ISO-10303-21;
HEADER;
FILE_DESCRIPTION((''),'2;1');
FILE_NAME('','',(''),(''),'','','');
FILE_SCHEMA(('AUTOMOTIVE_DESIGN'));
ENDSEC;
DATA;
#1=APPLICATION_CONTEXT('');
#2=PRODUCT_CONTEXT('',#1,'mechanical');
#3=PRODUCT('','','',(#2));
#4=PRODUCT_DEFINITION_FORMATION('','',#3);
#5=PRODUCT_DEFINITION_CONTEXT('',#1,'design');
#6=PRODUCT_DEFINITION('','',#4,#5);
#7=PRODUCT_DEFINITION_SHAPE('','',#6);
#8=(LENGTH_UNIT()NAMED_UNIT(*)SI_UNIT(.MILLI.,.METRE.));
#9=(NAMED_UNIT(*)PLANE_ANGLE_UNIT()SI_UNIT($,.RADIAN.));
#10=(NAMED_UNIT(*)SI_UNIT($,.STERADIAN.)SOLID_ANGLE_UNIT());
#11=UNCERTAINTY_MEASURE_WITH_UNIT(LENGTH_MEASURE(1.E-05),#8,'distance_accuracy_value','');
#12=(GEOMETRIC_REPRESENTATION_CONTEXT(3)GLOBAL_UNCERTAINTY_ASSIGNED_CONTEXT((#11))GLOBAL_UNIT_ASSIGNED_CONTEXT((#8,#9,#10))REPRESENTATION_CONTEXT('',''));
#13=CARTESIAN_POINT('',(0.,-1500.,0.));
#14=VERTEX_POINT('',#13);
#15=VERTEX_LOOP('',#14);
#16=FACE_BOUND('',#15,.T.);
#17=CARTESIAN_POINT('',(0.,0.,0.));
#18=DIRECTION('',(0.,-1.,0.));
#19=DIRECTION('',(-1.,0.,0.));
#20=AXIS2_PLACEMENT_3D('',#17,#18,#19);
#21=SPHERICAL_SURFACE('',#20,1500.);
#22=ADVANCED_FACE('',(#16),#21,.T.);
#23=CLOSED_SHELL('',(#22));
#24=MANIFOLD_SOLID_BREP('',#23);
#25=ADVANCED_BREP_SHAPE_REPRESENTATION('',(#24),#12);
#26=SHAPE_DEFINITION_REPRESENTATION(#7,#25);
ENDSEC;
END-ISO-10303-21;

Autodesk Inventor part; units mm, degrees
ref_plane "YZ Plane" through (0, 0, 0) normal (1, 0, 0) x (0, 1, 0)
ref_plane "XZ Plane" through (0, 0, 0) normal (0, 1, 0) x (-1, 0, 0)
ref_plane "XY Plane" through (0, 0, 0) normal (0, 0, 1) x (1, 0, 0)
sketch "스케치1" plane through (0, 0, 0) normal (0, 0, 1) x (1, 0, 0)
  arc A0 (0, 1500) -> (0, -1500) centre (0, 0) ccw
  line L0 (0, 1500) -> (0, -1500)
  dimension "d1" = 90
revolve "회전1" add sketch "스케치1" angle 360 about axis through (0, 1500, 0) along (0, -1, 0)
